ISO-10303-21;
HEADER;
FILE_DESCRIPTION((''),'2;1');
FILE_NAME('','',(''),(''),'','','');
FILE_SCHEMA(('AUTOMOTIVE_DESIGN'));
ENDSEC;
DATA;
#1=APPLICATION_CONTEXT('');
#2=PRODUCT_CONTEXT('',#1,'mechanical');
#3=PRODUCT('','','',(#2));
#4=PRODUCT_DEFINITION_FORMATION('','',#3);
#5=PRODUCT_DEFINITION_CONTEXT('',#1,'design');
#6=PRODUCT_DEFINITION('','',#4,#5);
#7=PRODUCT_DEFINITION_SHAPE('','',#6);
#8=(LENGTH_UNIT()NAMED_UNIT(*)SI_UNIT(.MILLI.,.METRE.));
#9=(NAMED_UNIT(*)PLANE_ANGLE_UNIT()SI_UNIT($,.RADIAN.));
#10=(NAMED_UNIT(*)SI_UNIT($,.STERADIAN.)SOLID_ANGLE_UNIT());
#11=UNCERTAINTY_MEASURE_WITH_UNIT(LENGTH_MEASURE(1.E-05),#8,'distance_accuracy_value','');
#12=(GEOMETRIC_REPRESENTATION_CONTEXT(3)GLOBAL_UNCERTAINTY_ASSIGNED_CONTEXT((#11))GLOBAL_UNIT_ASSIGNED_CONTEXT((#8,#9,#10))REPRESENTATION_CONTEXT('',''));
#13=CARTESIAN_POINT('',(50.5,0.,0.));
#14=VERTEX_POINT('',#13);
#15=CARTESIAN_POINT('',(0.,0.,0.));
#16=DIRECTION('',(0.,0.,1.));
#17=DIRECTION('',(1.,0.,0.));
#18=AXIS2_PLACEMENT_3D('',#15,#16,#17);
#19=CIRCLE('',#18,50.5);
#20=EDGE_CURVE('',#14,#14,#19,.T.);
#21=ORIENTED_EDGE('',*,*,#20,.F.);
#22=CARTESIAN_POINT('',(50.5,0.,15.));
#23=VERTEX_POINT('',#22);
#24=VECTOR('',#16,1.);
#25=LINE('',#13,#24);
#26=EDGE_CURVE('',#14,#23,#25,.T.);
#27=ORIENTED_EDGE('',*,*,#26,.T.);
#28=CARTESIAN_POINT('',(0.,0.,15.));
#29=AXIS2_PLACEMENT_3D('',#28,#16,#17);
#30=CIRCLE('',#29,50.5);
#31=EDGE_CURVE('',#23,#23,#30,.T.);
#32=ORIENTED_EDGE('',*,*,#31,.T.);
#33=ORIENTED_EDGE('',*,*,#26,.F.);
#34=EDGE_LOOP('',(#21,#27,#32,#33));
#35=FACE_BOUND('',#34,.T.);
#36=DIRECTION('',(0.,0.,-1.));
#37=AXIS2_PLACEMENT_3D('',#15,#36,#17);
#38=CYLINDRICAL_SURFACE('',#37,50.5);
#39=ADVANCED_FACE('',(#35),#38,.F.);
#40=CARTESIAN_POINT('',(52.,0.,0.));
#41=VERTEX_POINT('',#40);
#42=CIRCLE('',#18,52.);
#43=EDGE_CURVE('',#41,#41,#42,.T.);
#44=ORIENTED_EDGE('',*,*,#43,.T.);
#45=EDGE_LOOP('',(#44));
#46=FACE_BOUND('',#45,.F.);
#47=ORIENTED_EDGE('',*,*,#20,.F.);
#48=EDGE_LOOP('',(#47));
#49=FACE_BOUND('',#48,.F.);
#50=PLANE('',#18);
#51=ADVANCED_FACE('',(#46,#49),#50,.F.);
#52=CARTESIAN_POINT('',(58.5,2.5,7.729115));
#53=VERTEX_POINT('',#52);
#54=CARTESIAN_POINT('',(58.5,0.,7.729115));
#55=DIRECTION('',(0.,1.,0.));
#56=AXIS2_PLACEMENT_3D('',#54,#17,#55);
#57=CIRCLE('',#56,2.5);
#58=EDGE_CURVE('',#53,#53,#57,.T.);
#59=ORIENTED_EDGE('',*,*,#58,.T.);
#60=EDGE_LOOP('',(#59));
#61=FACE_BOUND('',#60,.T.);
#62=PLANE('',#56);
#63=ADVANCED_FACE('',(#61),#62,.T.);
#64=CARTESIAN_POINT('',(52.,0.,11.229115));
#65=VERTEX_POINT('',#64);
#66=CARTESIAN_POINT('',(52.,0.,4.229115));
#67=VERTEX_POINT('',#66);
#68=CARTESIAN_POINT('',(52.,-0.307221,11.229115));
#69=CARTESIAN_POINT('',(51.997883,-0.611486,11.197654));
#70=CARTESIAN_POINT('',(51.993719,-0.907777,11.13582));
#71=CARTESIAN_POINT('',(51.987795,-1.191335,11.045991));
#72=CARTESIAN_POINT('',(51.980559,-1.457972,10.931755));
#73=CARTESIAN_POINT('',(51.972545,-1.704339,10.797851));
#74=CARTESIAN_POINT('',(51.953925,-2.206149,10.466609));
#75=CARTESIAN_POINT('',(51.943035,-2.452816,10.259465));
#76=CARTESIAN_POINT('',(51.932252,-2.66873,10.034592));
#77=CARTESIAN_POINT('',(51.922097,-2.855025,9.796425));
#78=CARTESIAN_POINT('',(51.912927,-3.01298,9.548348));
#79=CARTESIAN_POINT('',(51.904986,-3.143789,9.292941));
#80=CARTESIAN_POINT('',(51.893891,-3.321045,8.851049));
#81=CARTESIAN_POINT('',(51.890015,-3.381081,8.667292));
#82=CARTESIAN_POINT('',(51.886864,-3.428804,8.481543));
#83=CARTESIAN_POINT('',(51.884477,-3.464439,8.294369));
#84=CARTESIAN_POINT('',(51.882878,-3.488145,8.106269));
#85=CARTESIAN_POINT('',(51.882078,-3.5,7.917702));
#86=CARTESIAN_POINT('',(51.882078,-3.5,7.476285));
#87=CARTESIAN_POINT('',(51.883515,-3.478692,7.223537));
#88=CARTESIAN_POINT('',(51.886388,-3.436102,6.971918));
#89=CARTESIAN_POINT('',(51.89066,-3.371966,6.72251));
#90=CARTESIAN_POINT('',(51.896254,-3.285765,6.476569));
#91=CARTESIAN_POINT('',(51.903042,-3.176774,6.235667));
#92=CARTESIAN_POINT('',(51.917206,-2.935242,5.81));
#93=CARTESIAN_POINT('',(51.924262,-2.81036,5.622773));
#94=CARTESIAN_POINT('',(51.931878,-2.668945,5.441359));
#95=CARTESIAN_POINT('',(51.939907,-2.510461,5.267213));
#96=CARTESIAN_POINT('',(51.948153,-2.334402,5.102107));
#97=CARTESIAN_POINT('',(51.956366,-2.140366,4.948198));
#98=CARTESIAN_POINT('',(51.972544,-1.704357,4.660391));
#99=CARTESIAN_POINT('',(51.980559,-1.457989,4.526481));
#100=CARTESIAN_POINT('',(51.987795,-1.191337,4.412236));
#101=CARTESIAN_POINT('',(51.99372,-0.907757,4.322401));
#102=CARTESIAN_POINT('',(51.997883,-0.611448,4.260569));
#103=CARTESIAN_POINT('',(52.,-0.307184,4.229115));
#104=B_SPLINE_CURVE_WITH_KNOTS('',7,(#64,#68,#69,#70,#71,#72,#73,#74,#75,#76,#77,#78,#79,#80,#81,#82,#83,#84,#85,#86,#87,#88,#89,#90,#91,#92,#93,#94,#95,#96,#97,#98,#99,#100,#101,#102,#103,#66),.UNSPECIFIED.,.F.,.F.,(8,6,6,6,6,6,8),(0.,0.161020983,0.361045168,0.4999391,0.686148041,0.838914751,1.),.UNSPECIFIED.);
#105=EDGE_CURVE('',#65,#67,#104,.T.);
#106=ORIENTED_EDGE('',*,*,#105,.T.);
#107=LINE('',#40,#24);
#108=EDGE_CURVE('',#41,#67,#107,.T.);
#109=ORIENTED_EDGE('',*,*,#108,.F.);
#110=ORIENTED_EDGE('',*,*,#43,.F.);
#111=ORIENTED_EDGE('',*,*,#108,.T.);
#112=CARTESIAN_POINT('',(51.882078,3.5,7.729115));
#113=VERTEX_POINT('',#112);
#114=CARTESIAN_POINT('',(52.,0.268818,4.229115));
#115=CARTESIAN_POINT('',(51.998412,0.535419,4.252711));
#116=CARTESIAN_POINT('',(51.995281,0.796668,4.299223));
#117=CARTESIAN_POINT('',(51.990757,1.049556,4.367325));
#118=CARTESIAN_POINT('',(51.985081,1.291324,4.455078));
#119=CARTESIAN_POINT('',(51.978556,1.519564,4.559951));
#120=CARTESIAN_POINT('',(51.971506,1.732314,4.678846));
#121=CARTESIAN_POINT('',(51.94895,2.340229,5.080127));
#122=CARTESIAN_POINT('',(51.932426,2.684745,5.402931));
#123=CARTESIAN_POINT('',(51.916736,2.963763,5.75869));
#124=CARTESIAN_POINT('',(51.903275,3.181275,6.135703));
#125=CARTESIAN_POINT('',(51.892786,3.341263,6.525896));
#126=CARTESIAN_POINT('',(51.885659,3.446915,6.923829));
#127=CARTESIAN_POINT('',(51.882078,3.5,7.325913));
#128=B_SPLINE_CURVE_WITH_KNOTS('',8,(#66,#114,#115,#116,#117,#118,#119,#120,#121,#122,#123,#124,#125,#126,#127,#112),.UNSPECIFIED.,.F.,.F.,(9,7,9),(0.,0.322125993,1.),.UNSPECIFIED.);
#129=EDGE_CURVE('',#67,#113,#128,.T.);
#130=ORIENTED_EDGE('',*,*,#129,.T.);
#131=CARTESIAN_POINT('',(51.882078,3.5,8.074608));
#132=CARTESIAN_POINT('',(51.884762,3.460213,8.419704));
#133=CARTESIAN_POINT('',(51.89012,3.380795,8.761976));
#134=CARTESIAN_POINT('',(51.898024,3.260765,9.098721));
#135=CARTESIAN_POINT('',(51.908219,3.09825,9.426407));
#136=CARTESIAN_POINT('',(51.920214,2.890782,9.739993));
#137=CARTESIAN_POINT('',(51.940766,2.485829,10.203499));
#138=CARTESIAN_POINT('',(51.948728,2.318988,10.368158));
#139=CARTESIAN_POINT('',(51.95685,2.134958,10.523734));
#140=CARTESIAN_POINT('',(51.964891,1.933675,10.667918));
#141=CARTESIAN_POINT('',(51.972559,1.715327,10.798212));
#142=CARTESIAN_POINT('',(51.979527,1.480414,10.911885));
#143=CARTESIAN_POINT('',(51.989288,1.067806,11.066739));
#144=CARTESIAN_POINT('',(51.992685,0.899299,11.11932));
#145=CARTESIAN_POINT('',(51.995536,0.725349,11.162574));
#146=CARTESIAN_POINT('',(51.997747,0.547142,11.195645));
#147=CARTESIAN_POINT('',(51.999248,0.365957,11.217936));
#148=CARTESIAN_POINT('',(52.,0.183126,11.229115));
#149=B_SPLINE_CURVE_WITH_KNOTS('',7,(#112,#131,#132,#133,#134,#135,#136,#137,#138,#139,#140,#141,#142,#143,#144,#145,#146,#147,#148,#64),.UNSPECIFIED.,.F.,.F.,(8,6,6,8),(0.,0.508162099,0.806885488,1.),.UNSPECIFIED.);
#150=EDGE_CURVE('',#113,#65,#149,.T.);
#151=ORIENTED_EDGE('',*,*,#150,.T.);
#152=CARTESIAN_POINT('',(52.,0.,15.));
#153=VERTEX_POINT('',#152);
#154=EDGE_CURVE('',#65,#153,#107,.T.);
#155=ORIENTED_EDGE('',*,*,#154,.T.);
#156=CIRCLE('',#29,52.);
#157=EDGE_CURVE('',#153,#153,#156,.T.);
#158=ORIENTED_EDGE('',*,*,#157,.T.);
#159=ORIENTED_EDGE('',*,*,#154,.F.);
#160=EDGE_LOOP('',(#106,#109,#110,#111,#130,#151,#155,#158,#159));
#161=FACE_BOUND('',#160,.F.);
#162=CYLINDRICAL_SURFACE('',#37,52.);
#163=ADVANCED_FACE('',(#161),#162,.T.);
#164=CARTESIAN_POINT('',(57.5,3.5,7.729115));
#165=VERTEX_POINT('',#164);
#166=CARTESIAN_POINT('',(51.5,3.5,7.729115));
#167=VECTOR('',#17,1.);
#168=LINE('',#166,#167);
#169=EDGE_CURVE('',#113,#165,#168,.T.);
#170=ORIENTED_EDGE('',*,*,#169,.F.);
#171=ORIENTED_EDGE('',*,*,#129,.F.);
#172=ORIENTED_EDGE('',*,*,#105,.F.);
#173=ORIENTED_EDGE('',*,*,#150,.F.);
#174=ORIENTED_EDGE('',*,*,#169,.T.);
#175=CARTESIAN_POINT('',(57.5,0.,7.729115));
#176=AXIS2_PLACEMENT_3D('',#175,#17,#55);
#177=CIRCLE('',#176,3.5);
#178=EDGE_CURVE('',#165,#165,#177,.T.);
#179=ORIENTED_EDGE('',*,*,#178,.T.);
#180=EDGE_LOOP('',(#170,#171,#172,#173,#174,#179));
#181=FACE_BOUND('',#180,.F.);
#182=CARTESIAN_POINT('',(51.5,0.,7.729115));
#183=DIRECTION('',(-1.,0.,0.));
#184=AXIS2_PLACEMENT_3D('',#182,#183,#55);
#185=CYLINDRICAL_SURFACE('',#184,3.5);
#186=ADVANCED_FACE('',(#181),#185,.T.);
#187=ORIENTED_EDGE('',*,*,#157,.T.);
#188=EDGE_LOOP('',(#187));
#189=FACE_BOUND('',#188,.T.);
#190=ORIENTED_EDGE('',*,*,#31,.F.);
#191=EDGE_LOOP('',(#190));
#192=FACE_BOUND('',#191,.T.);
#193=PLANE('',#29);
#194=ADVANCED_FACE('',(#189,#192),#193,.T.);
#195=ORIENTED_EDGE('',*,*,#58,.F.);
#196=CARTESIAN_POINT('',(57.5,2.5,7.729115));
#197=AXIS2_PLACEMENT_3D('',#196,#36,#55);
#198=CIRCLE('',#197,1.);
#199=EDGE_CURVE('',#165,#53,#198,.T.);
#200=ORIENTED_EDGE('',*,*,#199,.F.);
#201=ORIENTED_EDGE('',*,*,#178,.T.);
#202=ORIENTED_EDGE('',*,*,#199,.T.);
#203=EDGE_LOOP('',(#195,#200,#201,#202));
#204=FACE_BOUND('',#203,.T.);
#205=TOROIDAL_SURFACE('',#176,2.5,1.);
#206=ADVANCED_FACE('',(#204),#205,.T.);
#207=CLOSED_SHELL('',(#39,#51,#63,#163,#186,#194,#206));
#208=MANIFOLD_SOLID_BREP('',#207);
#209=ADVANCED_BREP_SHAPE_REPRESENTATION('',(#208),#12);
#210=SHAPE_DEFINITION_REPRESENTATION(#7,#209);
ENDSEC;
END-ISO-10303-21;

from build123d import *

# Parameters (mm, degrees)
F0_R     = 52
F0_R_2   = 50.5
F1_DEPTH = 15
F3_R     = 3.5
F4_DEPTH = 7
F5_R     = 1


with BuildPart() as f1:
    # F0 (on Top) → F1 (new body)
    with BuildSketch(Plane.XY):
        Circle(F0_R)
        Circle(F0_R_2, mode=Mode.SUBTRACT)
    extrude(amount=F1_DEPTH)

    # F3 (on offset) → F4 (join)
    with BuildSketch(Plane.YZ.offset(51.5)):
        with Locations((0, 7.729115)):
            Circle(F3_R)
    extrude(amount=F4_DEPTH)

    # F5
    f5_edges = [f1.edges().sort_by_distance(p)[0] for p in [
        (58.5, -3.5, 7.729115),
    ]]
    fillet(f5_edges, radius=F5_R)


solid = f1.part
